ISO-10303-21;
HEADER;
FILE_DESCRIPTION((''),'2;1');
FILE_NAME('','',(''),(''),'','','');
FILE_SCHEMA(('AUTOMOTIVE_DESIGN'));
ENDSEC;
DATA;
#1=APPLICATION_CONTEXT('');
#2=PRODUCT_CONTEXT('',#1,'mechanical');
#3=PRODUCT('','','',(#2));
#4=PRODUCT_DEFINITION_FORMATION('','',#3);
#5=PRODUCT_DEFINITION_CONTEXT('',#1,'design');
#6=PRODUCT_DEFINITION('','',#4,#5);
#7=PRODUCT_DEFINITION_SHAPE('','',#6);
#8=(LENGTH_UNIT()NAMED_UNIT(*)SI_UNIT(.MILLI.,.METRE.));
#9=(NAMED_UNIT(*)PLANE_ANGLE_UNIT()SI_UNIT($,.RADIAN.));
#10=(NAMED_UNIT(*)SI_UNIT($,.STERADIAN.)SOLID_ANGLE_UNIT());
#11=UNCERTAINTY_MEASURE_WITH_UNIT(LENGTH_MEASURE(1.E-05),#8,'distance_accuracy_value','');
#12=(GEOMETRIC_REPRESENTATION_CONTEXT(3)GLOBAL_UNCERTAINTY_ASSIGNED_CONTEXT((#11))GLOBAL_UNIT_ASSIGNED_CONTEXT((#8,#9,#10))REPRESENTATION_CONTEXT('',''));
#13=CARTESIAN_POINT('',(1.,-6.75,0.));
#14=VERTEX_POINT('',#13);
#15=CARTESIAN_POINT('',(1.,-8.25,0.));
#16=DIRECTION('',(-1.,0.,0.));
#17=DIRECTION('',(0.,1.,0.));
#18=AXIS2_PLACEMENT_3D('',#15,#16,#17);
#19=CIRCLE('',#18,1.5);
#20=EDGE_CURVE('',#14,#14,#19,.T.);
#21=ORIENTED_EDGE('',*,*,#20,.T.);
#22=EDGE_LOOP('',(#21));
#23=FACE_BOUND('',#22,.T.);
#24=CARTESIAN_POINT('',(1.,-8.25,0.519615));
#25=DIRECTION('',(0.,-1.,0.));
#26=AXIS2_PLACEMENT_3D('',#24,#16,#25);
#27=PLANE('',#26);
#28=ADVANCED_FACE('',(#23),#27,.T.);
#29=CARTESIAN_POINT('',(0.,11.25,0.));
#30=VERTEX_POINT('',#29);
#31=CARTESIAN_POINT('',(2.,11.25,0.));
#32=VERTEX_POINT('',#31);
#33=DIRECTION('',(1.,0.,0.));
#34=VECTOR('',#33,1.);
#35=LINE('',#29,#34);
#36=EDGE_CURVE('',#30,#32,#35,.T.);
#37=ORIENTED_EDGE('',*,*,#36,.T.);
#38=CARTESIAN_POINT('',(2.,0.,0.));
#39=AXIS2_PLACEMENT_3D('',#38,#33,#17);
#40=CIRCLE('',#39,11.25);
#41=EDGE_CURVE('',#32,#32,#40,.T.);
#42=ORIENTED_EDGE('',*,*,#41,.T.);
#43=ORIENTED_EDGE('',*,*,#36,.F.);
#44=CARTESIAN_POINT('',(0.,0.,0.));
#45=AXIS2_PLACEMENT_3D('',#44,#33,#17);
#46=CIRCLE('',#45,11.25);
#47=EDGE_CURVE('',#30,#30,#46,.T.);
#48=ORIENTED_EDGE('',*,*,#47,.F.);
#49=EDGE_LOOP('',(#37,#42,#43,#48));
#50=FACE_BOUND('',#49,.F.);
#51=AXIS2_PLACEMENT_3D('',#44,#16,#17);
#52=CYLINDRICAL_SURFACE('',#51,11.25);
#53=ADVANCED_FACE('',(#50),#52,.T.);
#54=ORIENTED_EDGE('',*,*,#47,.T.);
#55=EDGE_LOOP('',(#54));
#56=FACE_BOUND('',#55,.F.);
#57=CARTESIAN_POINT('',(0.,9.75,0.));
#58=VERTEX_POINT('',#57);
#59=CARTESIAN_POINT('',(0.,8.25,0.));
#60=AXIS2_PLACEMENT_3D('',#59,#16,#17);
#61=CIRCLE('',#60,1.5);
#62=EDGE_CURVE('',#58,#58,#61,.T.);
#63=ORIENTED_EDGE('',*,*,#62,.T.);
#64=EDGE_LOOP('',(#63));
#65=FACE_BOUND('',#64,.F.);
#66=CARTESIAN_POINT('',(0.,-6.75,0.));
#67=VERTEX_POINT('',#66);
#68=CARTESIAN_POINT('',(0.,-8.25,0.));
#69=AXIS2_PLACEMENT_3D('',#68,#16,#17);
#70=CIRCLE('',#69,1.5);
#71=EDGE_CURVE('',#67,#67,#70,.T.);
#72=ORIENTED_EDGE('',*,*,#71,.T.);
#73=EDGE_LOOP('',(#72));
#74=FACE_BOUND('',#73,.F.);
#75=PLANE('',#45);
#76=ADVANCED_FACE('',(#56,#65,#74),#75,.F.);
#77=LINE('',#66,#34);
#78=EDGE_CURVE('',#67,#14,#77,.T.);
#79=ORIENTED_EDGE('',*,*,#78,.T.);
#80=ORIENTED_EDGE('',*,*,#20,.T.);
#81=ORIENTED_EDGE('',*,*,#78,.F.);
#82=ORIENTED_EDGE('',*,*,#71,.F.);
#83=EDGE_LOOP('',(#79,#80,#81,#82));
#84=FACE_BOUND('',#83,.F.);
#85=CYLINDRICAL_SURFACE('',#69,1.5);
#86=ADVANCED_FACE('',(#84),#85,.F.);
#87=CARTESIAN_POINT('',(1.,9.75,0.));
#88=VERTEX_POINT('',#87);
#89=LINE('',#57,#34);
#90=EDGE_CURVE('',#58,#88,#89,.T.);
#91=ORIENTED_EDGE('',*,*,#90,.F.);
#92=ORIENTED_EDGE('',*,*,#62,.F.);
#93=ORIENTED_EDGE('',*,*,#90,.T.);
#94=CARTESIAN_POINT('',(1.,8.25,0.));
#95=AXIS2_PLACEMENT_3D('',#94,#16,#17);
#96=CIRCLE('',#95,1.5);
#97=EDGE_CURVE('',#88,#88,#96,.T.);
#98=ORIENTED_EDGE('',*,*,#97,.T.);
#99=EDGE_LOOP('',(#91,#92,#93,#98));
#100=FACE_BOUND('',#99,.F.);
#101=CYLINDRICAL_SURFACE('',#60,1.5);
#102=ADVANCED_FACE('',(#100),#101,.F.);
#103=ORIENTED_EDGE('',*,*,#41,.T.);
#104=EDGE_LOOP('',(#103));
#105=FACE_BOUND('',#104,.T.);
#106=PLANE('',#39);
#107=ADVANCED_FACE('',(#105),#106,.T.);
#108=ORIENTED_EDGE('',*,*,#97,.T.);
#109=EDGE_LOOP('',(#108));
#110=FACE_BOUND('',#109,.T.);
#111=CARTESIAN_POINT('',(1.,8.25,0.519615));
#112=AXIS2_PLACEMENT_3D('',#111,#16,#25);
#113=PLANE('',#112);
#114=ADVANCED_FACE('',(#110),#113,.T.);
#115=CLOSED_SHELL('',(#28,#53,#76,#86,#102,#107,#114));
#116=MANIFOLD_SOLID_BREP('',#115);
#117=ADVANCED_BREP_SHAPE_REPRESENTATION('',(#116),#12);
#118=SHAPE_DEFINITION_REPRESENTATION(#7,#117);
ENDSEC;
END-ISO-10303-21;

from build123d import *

# Parameters (mm, degrees)
F0_R     = 11.25
F1_DEPTH = 2
F3_DEPTH = 1


with BuildPart() as f1:
    # F0 (on Right) → F1 (new body)
    with BuildSketch(Plane.YZ):
        Circle(F0_R)
    extrude(amount=F1_DEPTH)

    # F2 (on face) → F3 (cut)
    with BuildSketch(Plane(origin=(0, 0, 0), x_dir=(0, -1, 0), z_dir=(-1, 0, 0))):
        with BuildLine():
            Line((-9.75, 0), (-8.25, 0))
            Line((-8.25, 0), (-6.75, 0))
            ThreePointArc((-6.75, 0), (-8.25, 1.5), (-9.75, 0))
        make_face()
        with BuildLine():
            Line((-6.75, 0), (-8.25, 0))
            Line((-8.25, 0), (-9.75, 0))
            ThreePointArc((-9.75, 0), (-8.25, -1.5), (-6.75, 0))
        make_face()
        with BuildLine():
            ThreePointArc((9.75, 0), (8.25, 1.5), (6.75, 0))
            Line((6.75, 0), (8.25, 0))
            Line((8.25, 0), (9.75, 0))
        make_face()
        with BuildLine():
            Line((8.25, 0), (6.75, 0))
            ThreePointArc((6.75, 0), (8.25, -1.5), (9.75, 0))
            Line((9.75, 0), (8.25, 0))
        make_face()
    extrude(amount=-F3_DEPTH, mode=Mode.SUBTRACT)


solid = f1.part
